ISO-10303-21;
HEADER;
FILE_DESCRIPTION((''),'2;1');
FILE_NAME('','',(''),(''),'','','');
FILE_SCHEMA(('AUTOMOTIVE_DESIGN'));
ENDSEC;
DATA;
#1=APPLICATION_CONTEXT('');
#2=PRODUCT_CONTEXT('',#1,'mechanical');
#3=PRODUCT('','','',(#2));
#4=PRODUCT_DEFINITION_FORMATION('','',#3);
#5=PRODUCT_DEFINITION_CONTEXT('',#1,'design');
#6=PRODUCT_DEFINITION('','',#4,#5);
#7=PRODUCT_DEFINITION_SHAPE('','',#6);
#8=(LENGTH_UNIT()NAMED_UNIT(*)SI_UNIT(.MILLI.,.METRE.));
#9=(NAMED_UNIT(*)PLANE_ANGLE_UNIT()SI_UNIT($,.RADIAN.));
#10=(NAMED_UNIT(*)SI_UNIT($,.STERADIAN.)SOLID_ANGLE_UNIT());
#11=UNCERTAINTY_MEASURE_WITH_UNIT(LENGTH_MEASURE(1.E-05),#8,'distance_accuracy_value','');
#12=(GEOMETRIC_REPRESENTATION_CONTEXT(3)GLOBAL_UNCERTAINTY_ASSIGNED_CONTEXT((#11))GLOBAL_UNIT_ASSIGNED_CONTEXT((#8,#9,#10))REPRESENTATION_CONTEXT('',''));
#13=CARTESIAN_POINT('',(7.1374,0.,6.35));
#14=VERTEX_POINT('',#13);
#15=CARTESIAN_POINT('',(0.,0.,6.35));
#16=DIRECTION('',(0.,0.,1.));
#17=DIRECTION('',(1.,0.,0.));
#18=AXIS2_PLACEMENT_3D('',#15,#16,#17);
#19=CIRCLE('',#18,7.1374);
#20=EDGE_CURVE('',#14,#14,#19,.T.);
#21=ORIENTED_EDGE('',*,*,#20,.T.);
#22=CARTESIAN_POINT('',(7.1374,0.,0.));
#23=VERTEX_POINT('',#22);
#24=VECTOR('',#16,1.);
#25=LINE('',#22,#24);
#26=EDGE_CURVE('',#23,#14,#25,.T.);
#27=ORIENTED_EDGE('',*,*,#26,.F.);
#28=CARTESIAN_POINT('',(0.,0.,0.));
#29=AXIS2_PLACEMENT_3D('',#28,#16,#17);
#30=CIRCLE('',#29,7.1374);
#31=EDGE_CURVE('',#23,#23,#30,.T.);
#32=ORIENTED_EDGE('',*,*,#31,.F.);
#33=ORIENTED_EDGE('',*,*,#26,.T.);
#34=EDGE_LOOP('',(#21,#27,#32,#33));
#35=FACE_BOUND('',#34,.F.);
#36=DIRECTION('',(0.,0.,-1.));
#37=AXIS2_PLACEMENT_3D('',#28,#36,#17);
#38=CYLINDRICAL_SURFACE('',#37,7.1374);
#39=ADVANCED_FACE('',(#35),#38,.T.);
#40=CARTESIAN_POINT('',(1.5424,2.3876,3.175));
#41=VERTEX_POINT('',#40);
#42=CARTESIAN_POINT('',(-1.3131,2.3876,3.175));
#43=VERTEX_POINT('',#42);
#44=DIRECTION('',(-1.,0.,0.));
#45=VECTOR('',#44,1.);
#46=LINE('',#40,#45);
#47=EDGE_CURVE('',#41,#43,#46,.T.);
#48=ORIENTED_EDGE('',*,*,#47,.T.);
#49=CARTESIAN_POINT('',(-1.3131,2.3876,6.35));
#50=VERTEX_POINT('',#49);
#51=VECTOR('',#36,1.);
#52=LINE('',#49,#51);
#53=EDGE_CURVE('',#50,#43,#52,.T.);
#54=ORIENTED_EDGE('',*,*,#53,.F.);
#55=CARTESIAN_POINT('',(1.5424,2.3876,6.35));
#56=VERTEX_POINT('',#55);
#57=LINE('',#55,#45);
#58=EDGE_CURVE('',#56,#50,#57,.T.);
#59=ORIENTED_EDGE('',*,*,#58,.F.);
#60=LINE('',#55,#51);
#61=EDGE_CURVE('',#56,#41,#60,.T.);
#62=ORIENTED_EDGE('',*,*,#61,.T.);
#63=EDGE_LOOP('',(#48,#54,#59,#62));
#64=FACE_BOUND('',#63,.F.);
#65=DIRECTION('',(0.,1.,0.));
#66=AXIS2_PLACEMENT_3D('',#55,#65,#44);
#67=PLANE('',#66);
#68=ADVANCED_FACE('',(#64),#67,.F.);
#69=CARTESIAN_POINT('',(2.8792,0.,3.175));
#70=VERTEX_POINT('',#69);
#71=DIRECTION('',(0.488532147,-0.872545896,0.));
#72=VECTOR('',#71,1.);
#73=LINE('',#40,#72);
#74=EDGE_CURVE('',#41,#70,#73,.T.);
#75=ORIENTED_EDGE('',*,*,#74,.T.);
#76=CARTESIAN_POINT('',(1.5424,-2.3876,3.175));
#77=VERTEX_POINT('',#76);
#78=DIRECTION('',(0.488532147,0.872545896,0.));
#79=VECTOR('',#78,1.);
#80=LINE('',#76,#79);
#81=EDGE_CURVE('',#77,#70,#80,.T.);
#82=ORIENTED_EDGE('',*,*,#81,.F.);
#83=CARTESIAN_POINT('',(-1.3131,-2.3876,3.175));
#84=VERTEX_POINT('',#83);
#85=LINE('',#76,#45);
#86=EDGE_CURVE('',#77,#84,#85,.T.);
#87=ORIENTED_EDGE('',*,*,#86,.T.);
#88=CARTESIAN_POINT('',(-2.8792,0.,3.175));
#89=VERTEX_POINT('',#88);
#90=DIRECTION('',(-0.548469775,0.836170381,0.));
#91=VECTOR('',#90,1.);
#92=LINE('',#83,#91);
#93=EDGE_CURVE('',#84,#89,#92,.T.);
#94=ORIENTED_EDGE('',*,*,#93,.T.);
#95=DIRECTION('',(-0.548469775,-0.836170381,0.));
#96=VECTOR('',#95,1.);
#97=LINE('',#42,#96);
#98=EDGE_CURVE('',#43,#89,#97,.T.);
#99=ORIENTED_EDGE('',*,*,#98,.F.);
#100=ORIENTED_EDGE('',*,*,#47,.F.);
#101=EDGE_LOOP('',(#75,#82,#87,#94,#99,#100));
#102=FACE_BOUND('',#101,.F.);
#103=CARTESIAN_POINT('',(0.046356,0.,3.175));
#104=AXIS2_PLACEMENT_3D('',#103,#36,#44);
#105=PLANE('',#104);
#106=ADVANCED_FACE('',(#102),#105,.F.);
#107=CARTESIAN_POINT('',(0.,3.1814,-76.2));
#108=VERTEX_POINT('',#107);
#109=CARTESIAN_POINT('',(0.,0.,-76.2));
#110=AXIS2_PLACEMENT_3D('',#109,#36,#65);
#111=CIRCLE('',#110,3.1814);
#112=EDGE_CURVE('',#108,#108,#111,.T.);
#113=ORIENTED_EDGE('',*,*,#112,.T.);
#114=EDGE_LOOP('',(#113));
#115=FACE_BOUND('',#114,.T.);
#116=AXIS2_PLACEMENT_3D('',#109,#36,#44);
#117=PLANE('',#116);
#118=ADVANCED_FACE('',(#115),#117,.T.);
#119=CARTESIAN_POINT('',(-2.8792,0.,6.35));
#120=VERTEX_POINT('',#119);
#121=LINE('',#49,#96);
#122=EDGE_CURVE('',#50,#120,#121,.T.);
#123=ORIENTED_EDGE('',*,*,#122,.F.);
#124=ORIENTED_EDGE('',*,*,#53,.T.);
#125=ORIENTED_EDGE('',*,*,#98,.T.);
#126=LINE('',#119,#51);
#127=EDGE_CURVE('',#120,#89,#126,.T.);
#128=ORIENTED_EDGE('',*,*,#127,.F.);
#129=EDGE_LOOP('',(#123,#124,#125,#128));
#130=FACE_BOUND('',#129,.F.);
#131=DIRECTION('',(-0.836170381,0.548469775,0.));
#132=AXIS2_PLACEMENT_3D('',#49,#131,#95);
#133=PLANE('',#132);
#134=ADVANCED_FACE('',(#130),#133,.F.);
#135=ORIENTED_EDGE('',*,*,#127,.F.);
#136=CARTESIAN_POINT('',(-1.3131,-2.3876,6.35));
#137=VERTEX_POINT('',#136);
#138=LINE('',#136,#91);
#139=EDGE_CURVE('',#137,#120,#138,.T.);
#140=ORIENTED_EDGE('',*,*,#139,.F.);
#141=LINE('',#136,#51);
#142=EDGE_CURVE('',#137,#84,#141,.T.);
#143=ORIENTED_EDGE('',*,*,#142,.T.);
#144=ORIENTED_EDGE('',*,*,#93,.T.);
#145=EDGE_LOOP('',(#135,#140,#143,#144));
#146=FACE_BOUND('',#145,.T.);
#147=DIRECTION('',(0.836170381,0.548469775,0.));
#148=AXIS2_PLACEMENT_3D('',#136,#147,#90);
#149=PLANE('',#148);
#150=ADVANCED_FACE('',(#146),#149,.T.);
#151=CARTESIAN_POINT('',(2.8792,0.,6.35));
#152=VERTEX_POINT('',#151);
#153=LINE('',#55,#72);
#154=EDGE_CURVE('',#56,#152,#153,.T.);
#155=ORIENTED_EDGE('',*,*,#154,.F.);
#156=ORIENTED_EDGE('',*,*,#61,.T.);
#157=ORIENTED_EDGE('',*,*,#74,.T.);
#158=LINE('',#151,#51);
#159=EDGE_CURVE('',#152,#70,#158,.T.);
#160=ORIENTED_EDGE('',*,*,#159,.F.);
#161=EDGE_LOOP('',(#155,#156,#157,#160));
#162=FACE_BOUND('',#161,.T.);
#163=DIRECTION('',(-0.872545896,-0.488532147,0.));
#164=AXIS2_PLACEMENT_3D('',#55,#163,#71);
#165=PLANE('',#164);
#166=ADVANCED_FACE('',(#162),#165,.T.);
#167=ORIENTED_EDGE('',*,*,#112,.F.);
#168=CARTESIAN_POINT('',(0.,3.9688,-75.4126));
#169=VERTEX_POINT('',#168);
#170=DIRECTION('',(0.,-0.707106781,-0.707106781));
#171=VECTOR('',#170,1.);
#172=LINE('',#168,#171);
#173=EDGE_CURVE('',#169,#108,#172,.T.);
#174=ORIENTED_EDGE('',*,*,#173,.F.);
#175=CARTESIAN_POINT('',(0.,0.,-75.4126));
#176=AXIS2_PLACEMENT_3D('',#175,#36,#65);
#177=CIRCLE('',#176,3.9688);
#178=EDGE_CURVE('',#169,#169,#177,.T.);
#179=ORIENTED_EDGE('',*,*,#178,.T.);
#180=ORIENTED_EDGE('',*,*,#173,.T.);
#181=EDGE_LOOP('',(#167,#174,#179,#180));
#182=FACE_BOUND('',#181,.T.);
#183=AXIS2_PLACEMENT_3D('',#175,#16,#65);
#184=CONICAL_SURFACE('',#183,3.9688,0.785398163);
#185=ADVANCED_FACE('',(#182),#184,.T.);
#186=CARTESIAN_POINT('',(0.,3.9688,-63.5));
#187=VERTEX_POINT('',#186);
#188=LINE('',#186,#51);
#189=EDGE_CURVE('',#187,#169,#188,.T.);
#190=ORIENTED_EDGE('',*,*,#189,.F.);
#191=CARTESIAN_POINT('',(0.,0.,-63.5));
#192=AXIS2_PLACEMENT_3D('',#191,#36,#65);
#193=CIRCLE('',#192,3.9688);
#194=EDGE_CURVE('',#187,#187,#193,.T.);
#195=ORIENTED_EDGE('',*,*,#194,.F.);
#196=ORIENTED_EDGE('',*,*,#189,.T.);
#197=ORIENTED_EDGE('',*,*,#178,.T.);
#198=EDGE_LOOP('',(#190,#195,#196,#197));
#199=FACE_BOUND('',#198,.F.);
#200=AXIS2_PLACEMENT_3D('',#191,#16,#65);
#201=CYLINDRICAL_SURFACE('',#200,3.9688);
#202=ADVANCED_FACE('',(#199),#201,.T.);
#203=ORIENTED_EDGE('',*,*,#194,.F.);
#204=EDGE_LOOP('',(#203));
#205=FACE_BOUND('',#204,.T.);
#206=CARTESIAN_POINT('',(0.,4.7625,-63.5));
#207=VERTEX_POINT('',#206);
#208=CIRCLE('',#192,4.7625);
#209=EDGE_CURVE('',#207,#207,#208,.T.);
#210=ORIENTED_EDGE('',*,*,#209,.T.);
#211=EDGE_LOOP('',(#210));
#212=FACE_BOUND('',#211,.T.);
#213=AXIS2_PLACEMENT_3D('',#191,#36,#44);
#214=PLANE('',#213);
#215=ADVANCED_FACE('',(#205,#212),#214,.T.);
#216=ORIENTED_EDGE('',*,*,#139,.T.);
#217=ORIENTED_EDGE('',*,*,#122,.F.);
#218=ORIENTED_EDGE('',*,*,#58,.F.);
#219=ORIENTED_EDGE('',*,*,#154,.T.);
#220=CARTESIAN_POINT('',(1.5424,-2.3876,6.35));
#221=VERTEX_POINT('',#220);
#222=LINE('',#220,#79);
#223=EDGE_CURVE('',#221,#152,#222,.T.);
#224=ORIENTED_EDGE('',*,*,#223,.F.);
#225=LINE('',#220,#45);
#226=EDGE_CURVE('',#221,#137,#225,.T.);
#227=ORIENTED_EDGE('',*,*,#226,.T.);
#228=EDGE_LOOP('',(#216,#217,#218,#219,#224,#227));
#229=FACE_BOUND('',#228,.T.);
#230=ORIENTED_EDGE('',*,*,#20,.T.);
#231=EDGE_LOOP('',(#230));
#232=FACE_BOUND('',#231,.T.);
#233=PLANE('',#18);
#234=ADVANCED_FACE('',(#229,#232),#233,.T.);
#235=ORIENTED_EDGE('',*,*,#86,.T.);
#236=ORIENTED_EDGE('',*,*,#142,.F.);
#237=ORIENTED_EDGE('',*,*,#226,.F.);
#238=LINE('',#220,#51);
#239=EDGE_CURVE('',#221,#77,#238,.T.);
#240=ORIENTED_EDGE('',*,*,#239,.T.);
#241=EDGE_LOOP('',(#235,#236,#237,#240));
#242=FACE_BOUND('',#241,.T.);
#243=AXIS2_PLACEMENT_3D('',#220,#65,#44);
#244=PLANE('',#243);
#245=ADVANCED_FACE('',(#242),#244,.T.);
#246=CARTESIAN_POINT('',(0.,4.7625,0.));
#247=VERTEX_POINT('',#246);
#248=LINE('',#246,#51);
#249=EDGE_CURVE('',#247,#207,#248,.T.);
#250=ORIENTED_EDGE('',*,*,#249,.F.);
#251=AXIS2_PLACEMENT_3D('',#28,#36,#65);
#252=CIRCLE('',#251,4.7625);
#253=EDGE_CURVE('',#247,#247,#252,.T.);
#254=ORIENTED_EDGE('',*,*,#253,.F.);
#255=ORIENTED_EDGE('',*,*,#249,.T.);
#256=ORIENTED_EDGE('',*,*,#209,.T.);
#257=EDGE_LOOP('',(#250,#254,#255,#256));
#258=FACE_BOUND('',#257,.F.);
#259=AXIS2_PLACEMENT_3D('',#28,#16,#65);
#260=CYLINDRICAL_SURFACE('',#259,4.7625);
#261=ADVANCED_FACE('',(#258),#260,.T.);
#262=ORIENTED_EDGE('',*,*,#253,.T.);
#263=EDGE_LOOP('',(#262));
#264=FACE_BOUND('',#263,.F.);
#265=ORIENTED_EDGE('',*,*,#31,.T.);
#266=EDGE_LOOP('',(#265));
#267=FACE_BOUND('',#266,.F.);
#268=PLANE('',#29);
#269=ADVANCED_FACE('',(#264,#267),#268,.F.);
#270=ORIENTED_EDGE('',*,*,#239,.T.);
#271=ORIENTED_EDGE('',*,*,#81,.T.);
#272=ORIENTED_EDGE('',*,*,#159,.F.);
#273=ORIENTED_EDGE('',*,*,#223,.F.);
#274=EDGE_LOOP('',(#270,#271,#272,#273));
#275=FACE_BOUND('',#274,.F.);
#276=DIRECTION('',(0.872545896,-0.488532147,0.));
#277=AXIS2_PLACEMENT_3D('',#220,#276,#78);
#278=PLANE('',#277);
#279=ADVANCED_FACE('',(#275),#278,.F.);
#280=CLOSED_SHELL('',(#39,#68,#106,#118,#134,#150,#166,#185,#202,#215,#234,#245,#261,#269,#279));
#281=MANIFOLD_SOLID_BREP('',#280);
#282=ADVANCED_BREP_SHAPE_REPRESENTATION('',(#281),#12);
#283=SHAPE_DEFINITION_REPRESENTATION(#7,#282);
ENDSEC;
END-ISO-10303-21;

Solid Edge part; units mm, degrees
sketch "Sketch1" plane through (0, 0, 0) normal (0, 0, 1) x (1, 0, 0)
  circle A0 centre (0, 0) radius 7.1374
  dimension "D1" = 14.2748
extrude "Protrusion1" add sketch "Sketch1" along normal blind 6.35
sketch "Sketch2" plane through (0, 0, 0) normal (0, 0, -1) x (0, 1, 0)
  circle A0 centre (0, 0) radius 4.7625
  dimension "D1" = 9.525
extrude "Protrusion2" add sketch "Sketch2" along normal blind 63.5
sketch "Sketch3" plane through (0, 0, -63.5) normal (0, 0, -1) x (0, 1, 0)
  circle A0 centre (0, 0) radius 3.9688
  dimension "D1" = 7.9375
extrude "Protrusion3" add sketch "Sketch3" along normal blind 12.7
sketch "Sketch4" plane through (0, 0, 6.35) normal (0, 0, 1) x (0, 1, 0)
  line L0 (-2.3876, 1.3131) -> (0, 2.8792)
  line L1 (-2.3876, -1.5424) -> (-2.3876, 1.3131)
  line L2 (-2.3876, -1.5424) -> (0, -2.8792)
  line L3 (2.3876, -1.5424) -> (0, -2.8792)
  line L4 (2.3876, -1.5424) -> (2.3876, 1.3131)
  line L5 (2.3876, 1.3131) -> (0, 2.8792)
  dimension "D1" = 4.7752
extrude "Cutout1" cut sketch "Sketch4" against normal blind 3.175
chamfer "Chamfer1" distance 0.7874 angle 45 1 edges at (0, -3.9688, -76.2)
properties part number "118718"
